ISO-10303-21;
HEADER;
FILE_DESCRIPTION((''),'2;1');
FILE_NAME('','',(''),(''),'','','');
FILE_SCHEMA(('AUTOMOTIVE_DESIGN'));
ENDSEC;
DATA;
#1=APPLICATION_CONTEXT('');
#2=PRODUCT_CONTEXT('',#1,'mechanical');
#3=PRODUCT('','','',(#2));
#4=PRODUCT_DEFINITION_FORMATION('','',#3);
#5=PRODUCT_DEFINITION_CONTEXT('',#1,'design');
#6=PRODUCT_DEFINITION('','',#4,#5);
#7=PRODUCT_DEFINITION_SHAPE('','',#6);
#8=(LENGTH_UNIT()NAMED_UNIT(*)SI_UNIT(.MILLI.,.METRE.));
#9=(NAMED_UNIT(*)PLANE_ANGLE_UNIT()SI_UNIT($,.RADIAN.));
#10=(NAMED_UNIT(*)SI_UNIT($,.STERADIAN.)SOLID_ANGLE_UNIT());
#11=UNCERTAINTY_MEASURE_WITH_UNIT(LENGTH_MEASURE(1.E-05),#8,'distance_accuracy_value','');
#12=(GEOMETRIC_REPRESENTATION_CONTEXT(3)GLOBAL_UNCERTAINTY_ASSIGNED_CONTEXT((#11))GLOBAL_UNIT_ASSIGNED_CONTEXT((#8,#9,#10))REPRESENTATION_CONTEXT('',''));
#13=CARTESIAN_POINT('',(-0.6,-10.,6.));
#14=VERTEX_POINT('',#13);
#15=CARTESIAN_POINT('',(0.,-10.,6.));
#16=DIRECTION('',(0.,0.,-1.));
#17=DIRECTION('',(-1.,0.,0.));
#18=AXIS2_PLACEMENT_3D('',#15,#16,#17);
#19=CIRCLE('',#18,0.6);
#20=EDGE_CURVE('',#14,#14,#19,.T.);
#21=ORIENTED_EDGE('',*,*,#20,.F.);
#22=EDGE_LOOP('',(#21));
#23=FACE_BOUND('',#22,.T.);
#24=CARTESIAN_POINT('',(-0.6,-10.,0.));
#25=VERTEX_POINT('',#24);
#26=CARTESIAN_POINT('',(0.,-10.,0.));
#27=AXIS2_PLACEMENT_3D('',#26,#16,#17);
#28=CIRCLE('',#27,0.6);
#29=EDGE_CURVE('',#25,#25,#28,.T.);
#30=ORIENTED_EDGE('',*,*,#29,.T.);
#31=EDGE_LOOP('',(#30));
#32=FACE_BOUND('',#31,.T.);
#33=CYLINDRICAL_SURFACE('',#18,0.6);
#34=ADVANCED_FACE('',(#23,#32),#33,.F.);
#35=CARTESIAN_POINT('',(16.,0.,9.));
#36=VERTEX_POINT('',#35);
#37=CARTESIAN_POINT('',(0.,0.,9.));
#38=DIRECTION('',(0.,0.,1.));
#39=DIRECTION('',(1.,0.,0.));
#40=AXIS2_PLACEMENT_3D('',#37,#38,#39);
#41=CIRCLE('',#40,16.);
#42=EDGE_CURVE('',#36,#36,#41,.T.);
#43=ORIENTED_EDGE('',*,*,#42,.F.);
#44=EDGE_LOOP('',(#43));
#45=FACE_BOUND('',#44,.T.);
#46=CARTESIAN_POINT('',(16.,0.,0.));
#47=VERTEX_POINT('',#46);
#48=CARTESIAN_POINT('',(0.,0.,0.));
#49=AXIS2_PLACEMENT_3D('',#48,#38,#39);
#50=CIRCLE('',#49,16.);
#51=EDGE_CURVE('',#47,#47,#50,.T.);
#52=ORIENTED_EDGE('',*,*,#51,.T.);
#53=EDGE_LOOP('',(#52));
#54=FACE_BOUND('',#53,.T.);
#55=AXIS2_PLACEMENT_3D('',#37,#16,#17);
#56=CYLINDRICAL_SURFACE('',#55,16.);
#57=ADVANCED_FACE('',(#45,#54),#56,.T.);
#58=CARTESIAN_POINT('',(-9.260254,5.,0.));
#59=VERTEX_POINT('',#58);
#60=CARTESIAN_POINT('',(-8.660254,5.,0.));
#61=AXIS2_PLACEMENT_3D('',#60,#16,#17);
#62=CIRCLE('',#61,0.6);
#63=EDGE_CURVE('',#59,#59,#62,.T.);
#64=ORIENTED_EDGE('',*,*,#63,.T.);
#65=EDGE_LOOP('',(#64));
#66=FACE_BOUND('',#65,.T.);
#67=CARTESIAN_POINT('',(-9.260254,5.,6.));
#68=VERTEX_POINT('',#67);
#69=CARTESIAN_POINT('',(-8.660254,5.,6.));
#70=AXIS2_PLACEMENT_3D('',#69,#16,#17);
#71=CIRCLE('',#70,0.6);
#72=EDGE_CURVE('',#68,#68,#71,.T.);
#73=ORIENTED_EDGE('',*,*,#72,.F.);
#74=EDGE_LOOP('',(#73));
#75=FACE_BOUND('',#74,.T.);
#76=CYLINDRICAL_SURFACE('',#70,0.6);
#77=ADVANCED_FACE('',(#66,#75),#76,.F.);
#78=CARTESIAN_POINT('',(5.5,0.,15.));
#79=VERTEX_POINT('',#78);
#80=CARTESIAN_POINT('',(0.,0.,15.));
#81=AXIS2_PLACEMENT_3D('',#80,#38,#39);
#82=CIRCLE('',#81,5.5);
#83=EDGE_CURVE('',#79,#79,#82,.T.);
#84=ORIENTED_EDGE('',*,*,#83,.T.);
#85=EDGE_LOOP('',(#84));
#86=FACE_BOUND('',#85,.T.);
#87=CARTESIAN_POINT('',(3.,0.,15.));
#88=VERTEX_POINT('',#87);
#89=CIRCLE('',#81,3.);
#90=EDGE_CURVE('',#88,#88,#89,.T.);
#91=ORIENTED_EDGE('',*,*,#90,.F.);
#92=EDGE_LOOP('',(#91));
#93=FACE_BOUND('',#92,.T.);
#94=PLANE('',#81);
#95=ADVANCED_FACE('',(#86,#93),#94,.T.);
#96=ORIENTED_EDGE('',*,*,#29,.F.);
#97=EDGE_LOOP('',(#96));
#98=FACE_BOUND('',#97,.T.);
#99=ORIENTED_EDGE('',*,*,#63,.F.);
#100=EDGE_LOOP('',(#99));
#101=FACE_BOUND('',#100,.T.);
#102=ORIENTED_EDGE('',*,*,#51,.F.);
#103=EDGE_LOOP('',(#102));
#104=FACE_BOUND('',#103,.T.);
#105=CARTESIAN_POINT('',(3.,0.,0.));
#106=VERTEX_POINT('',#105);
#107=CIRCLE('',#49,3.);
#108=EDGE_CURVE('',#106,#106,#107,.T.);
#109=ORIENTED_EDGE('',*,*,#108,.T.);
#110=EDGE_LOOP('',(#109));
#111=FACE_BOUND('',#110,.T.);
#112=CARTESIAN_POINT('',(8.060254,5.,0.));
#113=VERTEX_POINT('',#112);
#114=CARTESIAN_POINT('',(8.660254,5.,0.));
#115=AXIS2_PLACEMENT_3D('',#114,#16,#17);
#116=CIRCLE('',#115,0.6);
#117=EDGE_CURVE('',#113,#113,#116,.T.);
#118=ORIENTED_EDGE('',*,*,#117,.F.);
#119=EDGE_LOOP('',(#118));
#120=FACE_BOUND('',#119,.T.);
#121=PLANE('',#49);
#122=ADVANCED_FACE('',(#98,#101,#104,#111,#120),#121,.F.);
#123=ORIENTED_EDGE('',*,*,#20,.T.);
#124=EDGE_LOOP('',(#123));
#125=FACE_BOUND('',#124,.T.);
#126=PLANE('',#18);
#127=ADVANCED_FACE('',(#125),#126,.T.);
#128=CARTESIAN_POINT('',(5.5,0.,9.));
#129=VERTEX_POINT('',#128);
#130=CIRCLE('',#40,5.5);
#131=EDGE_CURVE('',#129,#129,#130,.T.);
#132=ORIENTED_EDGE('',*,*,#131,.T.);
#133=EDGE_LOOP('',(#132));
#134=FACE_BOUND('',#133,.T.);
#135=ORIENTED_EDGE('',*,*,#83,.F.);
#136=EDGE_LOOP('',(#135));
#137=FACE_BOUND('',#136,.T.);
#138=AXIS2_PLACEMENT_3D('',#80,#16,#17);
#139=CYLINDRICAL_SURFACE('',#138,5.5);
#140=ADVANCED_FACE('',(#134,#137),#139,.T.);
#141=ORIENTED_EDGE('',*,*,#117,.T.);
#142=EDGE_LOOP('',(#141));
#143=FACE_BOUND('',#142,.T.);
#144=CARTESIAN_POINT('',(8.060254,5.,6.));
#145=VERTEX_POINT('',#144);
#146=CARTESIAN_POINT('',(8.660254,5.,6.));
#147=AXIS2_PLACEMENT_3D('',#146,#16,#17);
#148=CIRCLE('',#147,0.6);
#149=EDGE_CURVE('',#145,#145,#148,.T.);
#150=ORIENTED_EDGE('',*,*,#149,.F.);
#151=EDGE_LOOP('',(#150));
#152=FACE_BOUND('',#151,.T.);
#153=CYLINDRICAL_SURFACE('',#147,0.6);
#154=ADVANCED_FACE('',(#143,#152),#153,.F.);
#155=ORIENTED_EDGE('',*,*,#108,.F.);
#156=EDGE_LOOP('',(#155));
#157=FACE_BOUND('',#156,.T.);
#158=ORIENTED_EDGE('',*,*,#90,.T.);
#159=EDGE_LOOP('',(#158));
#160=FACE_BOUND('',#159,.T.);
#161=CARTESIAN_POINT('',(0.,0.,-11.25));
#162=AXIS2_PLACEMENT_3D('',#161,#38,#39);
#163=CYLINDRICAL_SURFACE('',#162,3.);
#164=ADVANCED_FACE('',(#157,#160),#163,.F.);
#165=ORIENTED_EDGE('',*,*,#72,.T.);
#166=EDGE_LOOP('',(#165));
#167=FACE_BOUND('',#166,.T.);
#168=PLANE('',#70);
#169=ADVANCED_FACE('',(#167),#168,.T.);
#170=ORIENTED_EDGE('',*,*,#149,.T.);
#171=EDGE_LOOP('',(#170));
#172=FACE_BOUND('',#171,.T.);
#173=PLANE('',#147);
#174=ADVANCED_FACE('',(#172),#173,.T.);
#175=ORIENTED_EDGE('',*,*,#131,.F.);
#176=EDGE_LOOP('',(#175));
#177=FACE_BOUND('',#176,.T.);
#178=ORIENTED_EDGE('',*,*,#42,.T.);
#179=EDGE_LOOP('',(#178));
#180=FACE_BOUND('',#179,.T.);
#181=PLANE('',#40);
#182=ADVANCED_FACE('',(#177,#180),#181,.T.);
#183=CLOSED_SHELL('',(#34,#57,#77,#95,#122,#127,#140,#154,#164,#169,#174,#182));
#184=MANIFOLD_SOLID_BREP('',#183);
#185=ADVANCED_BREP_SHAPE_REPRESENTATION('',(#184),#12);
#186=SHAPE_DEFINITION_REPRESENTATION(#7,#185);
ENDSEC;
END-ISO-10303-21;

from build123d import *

# Parameters (mm, degrees)
SKETCH_1_R          = 16
EXTRUDE_1_DEPTH     = 9
SKETCH_2_R          = 6
EXTRUDE_2_DEPTH     = 0.5
SKETCH_3_R          = 16
EXTRUDE_3_DEPTH     = 3.25
SKETCH_4_R          = 5.5
EXTRUDE_4_DEPTH     = 2.25
SKETCH_5_R          = 3
CUT_EXTRUDE_1_DEPTH = 26.25
SKETCH_6_R          = 8
SKETCH_6_R_2        = 5.5
CUT_EXTRUDE_2_DEPTH = 2.25
SKETCH_7_R          = 0.6
CUT_EXTRUDE_3_DEPTH = 6
SKETCH_8_R          = 0.6
CUT_EXTRUDE_4_DEPTH = 3
SKETCH_9_R          = 18.290801542
SKETCH_9_R_2        = 5.5
CUT_EXTRUDE_5_DEPTH = 3.75


with BuildPart() as part:
    # 草图1 → 凸台-拉伸1 (new body)
    with BuildSketch(Plane.XY):
        Circle(SKETCH_1_R)
    extrude(amount=EXTRUDE_1_DEPTH)

    # 草图2 → 凸台-拉伸2 (add)
    with BuildSketch(Plane.XY.offset(9)):
        Circle(SKETCH_2_R)
    extrude(amount=EXTRUDE_2_DEPTH)

    # 草图3 → 凸台-拉伸3 (add)
    with BuildSketch(Plane.XY.offset(9.5)):
        Circle(SKETCH_3_R)
    extrude(amount=EXTRUDE_3_DEPTH)

    # 草图4 → 凸台-拉伸4 (add)
    with BuildSketch(Plane.XY.offset(12.75)):
        Circle(SKETCH_4_R)
    extrude(amount=EXTRUDE_4_DEPTH)

    # 草图5 → 切除-拉伸1 (cut)
    with BuildSketch(Plane.XY.offset(15)):
        Circle(SKETCH_5_R)
    extrude(amount=-CUT_EXTRUDE_1_DEPTH, mode=Mode.SUBTRACT)

    # 草图6 → 切除-拉伸2 (cut)
    with BuildSketch(Plane.XY.offset(12.75)):
        Circle(SKETCH_6_R)
        Circle(SKETCH_6_R_2, mode=Mode.SUBTRACT)
    extrude(amount=-CUT_EXTRUDE_2_DEPTH, mode=Mode.SUBTRACT)

    # 草图7 → 切除-拉伸3 (cut)
    with BuildSketch(Plane(origin=(0, 0, 0), x_dir=(-1, 0, 0), z_dir=(0, 0, -1))):
        with Locations((8.660254038, 5)):
            Circle(SKETCH_7_R)
        with Locations((-8.660254038, 5)):
            Circle(SKETCH_7_R)
        with Locations((0, -10)):
            Circle(SKETCH_7_R)
    extrude(amount=-CUT_EXTRUDE_3_DEPTH, mode=Mode.SUBTRACT)

    # 草图8 → 切除-拉伸4 (cut)
    with BuildSketch(Plane.XY.offset(12.75)):
        with Locations((5, -8.660254038)):
            Circle(SKETCH_8_R)
        with Locations((5, 8.660254038)):
            Circle(SKETCH_8_R)
        with Locations((-10, 0)):
            Circle(SKETCH_8_R)
    extrude(amount=-CUT_EXTRUDE_4_DEPTH, mode=Mode.SUBTRACT)

    # 草图9 → 切除-拉伸5 (cut)
    with BuildSketch(Plane.XY.offset(12.75)):
        Circle(SKETCH_9_R)
        Circle(SKETCH_9_R_2, mode=Mode.SUBTRACT)
    extrude(amount=-CUT_EXTRUDE_5_DEPTH, mode=Mode.SUBTRACT)


solid = part.part
